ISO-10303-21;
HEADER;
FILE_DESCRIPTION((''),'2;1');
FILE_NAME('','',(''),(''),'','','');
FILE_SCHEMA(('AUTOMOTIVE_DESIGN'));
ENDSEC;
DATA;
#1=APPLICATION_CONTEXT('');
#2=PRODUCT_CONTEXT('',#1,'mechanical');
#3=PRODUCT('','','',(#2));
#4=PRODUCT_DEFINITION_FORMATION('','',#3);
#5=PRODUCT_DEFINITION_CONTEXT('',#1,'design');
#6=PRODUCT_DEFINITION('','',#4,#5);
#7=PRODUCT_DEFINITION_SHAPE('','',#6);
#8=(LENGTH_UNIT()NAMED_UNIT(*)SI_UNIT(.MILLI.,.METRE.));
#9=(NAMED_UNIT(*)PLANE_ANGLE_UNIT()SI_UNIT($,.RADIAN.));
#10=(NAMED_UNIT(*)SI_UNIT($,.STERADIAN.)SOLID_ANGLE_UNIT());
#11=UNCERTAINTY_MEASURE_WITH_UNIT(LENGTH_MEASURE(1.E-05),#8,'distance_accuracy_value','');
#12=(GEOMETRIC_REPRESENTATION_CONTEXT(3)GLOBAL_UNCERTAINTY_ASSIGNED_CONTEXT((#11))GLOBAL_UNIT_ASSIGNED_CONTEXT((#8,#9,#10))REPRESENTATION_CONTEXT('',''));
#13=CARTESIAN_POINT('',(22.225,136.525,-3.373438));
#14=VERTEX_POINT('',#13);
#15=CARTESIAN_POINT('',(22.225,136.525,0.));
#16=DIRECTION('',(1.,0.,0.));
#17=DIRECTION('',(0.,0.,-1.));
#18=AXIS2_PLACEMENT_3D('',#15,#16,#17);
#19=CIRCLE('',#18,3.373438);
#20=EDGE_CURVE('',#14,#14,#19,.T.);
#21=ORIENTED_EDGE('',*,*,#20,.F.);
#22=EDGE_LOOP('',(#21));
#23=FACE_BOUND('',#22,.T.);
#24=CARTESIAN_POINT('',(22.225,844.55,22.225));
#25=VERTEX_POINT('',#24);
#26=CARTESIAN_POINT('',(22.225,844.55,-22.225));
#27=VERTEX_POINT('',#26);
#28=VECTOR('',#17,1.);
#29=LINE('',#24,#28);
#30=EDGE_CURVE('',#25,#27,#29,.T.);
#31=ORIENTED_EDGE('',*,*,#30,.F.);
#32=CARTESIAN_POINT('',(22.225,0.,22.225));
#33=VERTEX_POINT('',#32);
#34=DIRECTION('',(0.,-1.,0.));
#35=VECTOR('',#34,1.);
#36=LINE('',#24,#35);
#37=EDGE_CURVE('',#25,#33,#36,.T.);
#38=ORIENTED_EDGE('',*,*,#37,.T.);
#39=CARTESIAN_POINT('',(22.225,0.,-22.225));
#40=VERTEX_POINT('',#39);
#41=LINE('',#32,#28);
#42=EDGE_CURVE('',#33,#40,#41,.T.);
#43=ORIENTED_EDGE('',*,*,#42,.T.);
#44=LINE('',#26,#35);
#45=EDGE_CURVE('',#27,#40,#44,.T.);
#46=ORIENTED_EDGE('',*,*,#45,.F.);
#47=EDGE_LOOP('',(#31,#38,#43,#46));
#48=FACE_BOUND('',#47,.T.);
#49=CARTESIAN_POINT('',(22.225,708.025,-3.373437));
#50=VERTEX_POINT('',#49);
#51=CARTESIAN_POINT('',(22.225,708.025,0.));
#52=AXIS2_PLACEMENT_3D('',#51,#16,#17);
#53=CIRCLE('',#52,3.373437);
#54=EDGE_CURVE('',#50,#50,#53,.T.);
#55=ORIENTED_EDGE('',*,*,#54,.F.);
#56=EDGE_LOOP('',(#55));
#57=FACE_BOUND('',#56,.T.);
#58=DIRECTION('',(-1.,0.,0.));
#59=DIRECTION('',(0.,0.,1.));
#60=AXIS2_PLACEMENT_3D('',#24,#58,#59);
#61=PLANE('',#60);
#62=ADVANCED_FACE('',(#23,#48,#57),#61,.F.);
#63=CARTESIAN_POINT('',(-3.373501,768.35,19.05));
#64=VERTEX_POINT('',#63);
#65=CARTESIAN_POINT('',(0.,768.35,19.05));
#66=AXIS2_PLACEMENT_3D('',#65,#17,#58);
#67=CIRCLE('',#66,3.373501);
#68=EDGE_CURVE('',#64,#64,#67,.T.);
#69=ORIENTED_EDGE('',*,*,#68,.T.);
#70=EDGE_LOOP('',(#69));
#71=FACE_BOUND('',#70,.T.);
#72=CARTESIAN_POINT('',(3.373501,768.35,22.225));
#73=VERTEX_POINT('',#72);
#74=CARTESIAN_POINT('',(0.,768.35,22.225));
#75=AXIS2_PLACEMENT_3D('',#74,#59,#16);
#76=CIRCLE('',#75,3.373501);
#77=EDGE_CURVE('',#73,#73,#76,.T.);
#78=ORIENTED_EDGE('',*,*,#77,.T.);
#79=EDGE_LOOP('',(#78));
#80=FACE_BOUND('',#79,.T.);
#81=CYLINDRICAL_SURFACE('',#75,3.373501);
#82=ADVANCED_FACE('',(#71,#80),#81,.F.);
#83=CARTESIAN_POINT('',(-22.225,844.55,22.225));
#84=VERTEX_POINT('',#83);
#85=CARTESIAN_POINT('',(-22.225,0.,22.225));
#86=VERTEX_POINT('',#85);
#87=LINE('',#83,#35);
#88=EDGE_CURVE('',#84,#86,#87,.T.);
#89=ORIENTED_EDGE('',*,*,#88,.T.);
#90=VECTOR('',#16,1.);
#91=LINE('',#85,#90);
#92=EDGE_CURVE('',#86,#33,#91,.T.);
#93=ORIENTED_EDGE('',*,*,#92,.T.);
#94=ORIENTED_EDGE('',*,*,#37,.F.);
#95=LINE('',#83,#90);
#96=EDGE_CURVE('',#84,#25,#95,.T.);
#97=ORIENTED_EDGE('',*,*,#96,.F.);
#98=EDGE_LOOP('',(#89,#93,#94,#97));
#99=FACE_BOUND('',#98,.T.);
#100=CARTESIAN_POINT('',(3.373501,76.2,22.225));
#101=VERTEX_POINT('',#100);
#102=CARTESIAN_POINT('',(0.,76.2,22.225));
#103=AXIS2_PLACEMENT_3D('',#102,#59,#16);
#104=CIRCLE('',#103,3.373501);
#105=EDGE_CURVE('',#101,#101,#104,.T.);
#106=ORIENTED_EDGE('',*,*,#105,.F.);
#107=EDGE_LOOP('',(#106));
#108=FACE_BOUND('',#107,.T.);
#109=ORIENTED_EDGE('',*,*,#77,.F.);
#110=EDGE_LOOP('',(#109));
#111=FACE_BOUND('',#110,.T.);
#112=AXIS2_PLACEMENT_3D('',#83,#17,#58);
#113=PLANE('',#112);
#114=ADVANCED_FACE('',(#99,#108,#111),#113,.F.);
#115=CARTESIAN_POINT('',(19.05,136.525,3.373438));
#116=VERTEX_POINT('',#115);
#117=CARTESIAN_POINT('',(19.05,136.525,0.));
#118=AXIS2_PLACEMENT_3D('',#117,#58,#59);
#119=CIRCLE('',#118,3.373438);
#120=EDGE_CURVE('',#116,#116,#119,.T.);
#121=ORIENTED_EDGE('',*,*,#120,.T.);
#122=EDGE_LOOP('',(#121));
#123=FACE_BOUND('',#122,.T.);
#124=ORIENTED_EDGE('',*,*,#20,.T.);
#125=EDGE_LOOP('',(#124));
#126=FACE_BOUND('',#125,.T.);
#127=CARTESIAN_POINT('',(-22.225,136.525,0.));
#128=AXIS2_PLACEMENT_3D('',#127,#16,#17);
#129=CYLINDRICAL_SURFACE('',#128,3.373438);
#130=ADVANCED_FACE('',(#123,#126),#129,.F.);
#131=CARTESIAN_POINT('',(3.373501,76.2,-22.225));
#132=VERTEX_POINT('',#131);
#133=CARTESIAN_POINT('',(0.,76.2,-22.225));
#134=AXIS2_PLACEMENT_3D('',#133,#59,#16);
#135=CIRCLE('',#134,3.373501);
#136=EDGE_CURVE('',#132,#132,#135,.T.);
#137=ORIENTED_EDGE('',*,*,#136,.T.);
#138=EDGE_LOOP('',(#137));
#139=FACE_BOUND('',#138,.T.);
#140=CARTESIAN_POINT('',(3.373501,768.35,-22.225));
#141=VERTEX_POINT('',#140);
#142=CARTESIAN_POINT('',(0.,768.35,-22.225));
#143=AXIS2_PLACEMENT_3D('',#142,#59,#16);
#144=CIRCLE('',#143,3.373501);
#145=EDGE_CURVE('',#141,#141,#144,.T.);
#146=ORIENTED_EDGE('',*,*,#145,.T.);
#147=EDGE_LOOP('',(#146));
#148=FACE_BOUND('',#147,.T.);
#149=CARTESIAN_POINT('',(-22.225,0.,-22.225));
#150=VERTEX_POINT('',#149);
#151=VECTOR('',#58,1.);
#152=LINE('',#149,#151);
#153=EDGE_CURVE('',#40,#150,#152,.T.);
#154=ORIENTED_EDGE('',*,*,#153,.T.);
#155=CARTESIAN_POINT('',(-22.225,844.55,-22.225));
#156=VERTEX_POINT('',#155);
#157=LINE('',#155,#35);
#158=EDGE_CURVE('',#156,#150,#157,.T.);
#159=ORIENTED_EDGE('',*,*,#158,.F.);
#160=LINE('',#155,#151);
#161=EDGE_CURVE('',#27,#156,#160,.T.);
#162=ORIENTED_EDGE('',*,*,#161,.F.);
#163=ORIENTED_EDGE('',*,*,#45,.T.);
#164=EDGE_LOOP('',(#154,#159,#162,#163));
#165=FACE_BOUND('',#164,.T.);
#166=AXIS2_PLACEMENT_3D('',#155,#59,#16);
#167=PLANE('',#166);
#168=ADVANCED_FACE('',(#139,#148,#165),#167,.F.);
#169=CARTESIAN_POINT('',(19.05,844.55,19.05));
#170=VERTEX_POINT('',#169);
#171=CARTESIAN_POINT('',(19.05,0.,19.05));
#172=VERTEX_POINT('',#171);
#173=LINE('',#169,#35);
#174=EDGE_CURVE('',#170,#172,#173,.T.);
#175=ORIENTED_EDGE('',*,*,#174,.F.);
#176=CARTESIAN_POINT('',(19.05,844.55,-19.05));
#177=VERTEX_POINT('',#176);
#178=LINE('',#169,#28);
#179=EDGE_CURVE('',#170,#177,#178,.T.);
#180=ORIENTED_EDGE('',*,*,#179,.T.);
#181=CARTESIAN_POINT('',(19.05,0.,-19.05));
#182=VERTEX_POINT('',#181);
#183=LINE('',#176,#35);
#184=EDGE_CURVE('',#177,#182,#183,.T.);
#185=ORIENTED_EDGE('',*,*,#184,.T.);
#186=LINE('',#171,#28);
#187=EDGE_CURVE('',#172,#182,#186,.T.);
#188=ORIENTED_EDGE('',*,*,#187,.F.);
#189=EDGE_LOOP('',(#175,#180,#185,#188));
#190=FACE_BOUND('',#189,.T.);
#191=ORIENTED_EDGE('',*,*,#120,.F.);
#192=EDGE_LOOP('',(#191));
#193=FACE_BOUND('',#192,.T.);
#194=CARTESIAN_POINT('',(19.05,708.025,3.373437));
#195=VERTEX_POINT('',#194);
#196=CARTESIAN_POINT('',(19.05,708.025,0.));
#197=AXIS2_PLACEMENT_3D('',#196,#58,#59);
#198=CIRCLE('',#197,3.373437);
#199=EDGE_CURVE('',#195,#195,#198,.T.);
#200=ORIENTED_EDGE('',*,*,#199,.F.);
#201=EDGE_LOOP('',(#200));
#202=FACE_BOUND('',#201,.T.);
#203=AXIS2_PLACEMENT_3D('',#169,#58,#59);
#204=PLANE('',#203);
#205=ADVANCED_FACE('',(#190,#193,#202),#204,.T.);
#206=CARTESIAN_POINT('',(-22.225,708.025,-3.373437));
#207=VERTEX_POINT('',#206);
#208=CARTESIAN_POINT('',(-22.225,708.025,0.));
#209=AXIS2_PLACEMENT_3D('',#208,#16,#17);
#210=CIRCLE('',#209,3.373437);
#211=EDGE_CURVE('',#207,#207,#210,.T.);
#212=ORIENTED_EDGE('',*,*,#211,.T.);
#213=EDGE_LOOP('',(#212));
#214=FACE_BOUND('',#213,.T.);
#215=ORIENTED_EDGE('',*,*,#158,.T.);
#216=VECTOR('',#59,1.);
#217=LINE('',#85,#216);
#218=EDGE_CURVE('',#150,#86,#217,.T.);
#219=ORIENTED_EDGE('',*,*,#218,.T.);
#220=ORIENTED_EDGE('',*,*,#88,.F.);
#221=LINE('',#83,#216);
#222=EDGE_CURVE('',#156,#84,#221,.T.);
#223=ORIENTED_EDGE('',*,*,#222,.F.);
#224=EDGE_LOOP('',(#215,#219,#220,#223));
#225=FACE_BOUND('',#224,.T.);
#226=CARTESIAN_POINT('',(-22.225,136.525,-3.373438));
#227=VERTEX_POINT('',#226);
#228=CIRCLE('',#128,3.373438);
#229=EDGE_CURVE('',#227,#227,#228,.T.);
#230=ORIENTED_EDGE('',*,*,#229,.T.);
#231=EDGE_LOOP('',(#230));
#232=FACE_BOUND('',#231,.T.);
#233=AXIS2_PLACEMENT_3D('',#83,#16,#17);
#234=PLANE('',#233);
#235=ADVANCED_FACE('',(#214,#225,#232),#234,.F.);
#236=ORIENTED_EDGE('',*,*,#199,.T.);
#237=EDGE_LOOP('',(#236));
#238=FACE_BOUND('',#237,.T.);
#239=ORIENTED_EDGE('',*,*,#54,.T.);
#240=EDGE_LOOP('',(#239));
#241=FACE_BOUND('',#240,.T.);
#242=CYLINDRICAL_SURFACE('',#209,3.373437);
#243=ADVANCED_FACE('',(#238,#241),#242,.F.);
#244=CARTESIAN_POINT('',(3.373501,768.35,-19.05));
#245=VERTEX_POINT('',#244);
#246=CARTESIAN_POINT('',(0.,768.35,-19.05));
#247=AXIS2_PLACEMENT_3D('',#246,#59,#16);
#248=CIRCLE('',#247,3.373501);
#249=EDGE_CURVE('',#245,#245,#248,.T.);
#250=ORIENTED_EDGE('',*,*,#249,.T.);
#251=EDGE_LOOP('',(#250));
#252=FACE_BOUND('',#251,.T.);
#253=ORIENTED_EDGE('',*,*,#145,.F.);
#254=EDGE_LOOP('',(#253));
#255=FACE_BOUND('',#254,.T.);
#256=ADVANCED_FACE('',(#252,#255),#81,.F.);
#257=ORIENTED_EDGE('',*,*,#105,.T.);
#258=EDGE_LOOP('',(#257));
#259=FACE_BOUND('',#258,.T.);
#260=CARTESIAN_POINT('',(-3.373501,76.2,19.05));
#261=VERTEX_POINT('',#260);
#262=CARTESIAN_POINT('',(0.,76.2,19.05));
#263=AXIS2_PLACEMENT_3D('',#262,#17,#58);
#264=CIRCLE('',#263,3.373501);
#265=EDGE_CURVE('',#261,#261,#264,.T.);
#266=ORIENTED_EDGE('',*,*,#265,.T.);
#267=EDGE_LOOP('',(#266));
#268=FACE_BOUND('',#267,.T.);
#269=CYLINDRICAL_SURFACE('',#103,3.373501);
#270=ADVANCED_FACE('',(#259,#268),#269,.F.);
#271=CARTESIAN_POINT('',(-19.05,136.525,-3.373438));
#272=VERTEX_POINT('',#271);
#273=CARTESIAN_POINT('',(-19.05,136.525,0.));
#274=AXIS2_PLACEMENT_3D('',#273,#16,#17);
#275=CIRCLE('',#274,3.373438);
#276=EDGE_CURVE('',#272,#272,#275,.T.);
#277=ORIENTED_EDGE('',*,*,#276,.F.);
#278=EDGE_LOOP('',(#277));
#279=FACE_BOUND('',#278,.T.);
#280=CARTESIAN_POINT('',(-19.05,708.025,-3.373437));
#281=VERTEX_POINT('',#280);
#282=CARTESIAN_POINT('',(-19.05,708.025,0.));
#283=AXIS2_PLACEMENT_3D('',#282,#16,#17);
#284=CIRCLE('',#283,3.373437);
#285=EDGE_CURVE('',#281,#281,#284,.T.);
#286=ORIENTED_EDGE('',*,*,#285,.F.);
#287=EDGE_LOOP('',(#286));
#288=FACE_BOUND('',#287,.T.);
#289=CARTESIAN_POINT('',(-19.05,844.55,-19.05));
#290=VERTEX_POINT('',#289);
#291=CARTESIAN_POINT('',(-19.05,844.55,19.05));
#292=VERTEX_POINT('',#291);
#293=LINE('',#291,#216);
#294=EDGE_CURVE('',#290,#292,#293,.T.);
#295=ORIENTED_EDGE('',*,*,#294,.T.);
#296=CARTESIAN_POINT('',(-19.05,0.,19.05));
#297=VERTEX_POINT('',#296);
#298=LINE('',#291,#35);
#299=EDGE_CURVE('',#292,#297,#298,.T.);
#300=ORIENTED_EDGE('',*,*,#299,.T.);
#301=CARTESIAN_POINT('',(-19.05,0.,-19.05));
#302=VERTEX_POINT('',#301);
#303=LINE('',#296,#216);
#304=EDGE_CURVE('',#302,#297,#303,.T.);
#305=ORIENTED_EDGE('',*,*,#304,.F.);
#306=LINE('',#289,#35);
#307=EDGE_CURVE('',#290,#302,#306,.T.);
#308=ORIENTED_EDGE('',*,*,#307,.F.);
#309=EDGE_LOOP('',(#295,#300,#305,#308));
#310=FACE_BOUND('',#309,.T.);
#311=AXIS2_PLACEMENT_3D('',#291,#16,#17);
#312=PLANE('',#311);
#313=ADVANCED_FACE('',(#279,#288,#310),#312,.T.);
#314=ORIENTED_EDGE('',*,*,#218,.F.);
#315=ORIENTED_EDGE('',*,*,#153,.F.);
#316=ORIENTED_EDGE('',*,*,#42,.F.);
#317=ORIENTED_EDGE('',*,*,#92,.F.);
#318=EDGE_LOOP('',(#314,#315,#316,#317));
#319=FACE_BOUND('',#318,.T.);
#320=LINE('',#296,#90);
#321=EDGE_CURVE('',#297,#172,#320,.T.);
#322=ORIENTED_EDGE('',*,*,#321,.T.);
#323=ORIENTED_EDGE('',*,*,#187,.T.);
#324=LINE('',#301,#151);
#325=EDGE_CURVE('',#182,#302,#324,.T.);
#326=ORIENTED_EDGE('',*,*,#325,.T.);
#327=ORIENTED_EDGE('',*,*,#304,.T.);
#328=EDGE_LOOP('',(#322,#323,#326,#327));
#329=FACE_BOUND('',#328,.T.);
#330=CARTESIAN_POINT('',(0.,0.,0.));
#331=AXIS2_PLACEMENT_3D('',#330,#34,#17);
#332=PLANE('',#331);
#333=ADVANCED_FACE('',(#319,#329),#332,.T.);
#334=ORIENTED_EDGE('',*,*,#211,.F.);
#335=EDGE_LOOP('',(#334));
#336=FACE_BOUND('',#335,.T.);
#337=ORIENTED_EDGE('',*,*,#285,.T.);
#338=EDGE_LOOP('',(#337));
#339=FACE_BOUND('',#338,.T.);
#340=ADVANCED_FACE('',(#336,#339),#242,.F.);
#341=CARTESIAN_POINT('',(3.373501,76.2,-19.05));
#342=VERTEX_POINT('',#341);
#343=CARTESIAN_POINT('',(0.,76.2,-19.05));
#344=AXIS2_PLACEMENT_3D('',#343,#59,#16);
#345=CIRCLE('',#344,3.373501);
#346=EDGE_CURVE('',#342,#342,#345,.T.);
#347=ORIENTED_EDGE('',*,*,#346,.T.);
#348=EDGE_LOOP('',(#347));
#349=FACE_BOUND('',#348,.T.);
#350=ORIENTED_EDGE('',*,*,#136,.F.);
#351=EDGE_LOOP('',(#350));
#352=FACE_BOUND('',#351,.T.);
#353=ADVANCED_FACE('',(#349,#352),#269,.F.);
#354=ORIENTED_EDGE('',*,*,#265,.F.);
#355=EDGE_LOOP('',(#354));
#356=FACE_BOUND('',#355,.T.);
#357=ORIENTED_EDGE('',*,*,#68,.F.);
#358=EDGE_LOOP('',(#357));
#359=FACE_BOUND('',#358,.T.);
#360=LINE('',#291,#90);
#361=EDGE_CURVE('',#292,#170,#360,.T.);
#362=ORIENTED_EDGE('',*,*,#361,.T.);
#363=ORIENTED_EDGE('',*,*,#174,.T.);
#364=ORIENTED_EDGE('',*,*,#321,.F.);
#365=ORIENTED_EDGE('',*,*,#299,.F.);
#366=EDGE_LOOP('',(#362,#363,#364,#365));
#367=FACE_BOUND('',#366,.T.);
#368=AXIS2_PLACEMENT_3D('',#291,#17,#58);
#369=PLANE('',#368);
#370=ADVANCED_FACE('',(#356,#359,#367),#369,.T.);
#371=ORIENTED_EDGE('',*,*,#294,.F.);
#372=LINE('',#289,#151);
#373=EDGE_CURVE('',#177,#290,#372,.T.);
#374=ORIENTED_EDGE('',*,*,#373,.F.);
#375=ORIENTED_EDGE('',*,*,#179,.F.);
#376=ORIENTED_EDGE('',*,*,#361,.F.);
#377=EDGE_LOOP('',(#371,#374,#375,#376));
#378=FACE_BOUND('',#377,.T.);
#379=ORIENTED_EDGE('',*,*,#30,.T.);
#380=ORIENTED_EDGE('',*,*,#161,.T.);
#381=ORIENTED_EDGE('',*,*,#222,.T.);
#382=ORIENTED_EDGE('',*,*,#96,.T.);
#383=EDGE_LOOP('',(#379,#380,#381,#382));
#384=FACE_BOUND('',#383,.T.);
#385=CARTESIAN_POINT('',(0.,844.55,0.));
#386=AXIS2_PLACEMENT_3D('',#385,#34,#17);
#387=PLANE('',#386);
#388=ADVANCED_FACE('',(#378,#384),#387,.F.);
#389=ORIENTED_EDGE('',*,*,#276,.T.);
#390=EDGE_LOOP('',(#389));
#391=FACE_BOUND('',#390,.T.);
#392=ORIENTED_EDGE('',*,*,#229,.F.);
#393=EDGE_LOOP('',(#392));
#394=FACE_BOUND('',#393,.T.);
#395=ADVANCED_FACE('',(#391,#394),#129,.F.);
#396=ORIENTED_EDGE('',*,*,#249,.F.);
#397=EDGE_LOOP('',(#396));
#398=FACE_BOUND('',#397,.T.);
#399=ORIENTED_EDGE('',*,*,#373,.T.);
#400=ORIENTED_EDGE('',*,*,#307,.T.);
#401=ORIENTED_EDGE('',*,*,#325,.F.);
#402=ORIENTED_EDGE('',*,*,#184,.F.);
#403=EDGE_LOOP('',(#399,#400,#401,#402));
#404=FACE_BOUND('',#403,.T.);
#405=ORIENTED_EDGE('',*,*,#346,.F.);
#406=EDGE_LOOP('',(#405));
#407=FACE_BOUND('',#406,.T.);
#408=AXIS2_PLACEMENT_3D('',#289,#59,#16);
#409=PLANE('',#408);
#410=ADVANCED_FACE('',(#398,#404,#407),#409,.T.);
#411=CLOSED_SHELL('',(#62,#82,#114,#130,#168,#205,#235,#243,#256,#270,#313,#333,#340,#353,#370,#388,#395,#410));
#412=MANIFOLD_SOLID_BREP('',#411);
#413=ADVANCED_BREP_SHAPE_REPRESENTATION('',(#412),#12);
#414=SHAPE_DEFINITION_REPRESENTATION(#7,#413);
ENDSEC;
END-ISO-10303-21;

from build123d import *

# Parameters (mm, degrees)
SKETCH1_W                        = 44.45
SKETCH1_H                        = 44.45
SKETCH1_W_2                      = 38.1
SKETCH1_H_2                      = 38.1
BOSS_EXTRUDE1_DEPTH              = 844.55
F_17_64_0_26563_DIAMETER_HOLE1_D = 6.747002
SKETCH6_R                        = 3.3734375
CUT_EXTRUDE1_DEPTH               = 847.010907509


with BuildPart() as part:
    # Sketch1 → Boss-Extrude1 (new body)
    with BuildSketch(Plane(origin=(0, 0, 0), x_dir=(1, 0, 0), z_dir=(0, 1, 0))):
        Rectangle(SKETCH1_W, SKETCH1_H)
        Rectangle(SKETCH1_W_2, SKETCH1_H_2, mode=Mode.SUBTRACT)
    extrude(amount=BOSS_EXTRUDE1_DEPTH)

    # 17/64 (0.26563) Diameter Hole1 (through all)
    with Locations(Plane.XY.offset(22.225)):
        with Locations((0, 768.35), (0, 76.2)):
            Hole(F_17_64_0_26563_DIAMETER_HOLE1_D / 2)

    # Sketch6 → Cut-Extrude1 (cut, through all)
    with BuildSketch(Plane(origin=(22.225, 0, 0), x_dir=(0, 0, -1), z_dir=(1, 0, 0))):
        with Locations((0, 136.525)):
            Circle(SKETCH6_R)
        with Locations((0, 708.025)):
            Circle(SKETCH6_R)
    extrude(amount=-CUT_EXTRUDE1_DEPTH, mode=Mode.SUBTRACT)


solid = part.part
